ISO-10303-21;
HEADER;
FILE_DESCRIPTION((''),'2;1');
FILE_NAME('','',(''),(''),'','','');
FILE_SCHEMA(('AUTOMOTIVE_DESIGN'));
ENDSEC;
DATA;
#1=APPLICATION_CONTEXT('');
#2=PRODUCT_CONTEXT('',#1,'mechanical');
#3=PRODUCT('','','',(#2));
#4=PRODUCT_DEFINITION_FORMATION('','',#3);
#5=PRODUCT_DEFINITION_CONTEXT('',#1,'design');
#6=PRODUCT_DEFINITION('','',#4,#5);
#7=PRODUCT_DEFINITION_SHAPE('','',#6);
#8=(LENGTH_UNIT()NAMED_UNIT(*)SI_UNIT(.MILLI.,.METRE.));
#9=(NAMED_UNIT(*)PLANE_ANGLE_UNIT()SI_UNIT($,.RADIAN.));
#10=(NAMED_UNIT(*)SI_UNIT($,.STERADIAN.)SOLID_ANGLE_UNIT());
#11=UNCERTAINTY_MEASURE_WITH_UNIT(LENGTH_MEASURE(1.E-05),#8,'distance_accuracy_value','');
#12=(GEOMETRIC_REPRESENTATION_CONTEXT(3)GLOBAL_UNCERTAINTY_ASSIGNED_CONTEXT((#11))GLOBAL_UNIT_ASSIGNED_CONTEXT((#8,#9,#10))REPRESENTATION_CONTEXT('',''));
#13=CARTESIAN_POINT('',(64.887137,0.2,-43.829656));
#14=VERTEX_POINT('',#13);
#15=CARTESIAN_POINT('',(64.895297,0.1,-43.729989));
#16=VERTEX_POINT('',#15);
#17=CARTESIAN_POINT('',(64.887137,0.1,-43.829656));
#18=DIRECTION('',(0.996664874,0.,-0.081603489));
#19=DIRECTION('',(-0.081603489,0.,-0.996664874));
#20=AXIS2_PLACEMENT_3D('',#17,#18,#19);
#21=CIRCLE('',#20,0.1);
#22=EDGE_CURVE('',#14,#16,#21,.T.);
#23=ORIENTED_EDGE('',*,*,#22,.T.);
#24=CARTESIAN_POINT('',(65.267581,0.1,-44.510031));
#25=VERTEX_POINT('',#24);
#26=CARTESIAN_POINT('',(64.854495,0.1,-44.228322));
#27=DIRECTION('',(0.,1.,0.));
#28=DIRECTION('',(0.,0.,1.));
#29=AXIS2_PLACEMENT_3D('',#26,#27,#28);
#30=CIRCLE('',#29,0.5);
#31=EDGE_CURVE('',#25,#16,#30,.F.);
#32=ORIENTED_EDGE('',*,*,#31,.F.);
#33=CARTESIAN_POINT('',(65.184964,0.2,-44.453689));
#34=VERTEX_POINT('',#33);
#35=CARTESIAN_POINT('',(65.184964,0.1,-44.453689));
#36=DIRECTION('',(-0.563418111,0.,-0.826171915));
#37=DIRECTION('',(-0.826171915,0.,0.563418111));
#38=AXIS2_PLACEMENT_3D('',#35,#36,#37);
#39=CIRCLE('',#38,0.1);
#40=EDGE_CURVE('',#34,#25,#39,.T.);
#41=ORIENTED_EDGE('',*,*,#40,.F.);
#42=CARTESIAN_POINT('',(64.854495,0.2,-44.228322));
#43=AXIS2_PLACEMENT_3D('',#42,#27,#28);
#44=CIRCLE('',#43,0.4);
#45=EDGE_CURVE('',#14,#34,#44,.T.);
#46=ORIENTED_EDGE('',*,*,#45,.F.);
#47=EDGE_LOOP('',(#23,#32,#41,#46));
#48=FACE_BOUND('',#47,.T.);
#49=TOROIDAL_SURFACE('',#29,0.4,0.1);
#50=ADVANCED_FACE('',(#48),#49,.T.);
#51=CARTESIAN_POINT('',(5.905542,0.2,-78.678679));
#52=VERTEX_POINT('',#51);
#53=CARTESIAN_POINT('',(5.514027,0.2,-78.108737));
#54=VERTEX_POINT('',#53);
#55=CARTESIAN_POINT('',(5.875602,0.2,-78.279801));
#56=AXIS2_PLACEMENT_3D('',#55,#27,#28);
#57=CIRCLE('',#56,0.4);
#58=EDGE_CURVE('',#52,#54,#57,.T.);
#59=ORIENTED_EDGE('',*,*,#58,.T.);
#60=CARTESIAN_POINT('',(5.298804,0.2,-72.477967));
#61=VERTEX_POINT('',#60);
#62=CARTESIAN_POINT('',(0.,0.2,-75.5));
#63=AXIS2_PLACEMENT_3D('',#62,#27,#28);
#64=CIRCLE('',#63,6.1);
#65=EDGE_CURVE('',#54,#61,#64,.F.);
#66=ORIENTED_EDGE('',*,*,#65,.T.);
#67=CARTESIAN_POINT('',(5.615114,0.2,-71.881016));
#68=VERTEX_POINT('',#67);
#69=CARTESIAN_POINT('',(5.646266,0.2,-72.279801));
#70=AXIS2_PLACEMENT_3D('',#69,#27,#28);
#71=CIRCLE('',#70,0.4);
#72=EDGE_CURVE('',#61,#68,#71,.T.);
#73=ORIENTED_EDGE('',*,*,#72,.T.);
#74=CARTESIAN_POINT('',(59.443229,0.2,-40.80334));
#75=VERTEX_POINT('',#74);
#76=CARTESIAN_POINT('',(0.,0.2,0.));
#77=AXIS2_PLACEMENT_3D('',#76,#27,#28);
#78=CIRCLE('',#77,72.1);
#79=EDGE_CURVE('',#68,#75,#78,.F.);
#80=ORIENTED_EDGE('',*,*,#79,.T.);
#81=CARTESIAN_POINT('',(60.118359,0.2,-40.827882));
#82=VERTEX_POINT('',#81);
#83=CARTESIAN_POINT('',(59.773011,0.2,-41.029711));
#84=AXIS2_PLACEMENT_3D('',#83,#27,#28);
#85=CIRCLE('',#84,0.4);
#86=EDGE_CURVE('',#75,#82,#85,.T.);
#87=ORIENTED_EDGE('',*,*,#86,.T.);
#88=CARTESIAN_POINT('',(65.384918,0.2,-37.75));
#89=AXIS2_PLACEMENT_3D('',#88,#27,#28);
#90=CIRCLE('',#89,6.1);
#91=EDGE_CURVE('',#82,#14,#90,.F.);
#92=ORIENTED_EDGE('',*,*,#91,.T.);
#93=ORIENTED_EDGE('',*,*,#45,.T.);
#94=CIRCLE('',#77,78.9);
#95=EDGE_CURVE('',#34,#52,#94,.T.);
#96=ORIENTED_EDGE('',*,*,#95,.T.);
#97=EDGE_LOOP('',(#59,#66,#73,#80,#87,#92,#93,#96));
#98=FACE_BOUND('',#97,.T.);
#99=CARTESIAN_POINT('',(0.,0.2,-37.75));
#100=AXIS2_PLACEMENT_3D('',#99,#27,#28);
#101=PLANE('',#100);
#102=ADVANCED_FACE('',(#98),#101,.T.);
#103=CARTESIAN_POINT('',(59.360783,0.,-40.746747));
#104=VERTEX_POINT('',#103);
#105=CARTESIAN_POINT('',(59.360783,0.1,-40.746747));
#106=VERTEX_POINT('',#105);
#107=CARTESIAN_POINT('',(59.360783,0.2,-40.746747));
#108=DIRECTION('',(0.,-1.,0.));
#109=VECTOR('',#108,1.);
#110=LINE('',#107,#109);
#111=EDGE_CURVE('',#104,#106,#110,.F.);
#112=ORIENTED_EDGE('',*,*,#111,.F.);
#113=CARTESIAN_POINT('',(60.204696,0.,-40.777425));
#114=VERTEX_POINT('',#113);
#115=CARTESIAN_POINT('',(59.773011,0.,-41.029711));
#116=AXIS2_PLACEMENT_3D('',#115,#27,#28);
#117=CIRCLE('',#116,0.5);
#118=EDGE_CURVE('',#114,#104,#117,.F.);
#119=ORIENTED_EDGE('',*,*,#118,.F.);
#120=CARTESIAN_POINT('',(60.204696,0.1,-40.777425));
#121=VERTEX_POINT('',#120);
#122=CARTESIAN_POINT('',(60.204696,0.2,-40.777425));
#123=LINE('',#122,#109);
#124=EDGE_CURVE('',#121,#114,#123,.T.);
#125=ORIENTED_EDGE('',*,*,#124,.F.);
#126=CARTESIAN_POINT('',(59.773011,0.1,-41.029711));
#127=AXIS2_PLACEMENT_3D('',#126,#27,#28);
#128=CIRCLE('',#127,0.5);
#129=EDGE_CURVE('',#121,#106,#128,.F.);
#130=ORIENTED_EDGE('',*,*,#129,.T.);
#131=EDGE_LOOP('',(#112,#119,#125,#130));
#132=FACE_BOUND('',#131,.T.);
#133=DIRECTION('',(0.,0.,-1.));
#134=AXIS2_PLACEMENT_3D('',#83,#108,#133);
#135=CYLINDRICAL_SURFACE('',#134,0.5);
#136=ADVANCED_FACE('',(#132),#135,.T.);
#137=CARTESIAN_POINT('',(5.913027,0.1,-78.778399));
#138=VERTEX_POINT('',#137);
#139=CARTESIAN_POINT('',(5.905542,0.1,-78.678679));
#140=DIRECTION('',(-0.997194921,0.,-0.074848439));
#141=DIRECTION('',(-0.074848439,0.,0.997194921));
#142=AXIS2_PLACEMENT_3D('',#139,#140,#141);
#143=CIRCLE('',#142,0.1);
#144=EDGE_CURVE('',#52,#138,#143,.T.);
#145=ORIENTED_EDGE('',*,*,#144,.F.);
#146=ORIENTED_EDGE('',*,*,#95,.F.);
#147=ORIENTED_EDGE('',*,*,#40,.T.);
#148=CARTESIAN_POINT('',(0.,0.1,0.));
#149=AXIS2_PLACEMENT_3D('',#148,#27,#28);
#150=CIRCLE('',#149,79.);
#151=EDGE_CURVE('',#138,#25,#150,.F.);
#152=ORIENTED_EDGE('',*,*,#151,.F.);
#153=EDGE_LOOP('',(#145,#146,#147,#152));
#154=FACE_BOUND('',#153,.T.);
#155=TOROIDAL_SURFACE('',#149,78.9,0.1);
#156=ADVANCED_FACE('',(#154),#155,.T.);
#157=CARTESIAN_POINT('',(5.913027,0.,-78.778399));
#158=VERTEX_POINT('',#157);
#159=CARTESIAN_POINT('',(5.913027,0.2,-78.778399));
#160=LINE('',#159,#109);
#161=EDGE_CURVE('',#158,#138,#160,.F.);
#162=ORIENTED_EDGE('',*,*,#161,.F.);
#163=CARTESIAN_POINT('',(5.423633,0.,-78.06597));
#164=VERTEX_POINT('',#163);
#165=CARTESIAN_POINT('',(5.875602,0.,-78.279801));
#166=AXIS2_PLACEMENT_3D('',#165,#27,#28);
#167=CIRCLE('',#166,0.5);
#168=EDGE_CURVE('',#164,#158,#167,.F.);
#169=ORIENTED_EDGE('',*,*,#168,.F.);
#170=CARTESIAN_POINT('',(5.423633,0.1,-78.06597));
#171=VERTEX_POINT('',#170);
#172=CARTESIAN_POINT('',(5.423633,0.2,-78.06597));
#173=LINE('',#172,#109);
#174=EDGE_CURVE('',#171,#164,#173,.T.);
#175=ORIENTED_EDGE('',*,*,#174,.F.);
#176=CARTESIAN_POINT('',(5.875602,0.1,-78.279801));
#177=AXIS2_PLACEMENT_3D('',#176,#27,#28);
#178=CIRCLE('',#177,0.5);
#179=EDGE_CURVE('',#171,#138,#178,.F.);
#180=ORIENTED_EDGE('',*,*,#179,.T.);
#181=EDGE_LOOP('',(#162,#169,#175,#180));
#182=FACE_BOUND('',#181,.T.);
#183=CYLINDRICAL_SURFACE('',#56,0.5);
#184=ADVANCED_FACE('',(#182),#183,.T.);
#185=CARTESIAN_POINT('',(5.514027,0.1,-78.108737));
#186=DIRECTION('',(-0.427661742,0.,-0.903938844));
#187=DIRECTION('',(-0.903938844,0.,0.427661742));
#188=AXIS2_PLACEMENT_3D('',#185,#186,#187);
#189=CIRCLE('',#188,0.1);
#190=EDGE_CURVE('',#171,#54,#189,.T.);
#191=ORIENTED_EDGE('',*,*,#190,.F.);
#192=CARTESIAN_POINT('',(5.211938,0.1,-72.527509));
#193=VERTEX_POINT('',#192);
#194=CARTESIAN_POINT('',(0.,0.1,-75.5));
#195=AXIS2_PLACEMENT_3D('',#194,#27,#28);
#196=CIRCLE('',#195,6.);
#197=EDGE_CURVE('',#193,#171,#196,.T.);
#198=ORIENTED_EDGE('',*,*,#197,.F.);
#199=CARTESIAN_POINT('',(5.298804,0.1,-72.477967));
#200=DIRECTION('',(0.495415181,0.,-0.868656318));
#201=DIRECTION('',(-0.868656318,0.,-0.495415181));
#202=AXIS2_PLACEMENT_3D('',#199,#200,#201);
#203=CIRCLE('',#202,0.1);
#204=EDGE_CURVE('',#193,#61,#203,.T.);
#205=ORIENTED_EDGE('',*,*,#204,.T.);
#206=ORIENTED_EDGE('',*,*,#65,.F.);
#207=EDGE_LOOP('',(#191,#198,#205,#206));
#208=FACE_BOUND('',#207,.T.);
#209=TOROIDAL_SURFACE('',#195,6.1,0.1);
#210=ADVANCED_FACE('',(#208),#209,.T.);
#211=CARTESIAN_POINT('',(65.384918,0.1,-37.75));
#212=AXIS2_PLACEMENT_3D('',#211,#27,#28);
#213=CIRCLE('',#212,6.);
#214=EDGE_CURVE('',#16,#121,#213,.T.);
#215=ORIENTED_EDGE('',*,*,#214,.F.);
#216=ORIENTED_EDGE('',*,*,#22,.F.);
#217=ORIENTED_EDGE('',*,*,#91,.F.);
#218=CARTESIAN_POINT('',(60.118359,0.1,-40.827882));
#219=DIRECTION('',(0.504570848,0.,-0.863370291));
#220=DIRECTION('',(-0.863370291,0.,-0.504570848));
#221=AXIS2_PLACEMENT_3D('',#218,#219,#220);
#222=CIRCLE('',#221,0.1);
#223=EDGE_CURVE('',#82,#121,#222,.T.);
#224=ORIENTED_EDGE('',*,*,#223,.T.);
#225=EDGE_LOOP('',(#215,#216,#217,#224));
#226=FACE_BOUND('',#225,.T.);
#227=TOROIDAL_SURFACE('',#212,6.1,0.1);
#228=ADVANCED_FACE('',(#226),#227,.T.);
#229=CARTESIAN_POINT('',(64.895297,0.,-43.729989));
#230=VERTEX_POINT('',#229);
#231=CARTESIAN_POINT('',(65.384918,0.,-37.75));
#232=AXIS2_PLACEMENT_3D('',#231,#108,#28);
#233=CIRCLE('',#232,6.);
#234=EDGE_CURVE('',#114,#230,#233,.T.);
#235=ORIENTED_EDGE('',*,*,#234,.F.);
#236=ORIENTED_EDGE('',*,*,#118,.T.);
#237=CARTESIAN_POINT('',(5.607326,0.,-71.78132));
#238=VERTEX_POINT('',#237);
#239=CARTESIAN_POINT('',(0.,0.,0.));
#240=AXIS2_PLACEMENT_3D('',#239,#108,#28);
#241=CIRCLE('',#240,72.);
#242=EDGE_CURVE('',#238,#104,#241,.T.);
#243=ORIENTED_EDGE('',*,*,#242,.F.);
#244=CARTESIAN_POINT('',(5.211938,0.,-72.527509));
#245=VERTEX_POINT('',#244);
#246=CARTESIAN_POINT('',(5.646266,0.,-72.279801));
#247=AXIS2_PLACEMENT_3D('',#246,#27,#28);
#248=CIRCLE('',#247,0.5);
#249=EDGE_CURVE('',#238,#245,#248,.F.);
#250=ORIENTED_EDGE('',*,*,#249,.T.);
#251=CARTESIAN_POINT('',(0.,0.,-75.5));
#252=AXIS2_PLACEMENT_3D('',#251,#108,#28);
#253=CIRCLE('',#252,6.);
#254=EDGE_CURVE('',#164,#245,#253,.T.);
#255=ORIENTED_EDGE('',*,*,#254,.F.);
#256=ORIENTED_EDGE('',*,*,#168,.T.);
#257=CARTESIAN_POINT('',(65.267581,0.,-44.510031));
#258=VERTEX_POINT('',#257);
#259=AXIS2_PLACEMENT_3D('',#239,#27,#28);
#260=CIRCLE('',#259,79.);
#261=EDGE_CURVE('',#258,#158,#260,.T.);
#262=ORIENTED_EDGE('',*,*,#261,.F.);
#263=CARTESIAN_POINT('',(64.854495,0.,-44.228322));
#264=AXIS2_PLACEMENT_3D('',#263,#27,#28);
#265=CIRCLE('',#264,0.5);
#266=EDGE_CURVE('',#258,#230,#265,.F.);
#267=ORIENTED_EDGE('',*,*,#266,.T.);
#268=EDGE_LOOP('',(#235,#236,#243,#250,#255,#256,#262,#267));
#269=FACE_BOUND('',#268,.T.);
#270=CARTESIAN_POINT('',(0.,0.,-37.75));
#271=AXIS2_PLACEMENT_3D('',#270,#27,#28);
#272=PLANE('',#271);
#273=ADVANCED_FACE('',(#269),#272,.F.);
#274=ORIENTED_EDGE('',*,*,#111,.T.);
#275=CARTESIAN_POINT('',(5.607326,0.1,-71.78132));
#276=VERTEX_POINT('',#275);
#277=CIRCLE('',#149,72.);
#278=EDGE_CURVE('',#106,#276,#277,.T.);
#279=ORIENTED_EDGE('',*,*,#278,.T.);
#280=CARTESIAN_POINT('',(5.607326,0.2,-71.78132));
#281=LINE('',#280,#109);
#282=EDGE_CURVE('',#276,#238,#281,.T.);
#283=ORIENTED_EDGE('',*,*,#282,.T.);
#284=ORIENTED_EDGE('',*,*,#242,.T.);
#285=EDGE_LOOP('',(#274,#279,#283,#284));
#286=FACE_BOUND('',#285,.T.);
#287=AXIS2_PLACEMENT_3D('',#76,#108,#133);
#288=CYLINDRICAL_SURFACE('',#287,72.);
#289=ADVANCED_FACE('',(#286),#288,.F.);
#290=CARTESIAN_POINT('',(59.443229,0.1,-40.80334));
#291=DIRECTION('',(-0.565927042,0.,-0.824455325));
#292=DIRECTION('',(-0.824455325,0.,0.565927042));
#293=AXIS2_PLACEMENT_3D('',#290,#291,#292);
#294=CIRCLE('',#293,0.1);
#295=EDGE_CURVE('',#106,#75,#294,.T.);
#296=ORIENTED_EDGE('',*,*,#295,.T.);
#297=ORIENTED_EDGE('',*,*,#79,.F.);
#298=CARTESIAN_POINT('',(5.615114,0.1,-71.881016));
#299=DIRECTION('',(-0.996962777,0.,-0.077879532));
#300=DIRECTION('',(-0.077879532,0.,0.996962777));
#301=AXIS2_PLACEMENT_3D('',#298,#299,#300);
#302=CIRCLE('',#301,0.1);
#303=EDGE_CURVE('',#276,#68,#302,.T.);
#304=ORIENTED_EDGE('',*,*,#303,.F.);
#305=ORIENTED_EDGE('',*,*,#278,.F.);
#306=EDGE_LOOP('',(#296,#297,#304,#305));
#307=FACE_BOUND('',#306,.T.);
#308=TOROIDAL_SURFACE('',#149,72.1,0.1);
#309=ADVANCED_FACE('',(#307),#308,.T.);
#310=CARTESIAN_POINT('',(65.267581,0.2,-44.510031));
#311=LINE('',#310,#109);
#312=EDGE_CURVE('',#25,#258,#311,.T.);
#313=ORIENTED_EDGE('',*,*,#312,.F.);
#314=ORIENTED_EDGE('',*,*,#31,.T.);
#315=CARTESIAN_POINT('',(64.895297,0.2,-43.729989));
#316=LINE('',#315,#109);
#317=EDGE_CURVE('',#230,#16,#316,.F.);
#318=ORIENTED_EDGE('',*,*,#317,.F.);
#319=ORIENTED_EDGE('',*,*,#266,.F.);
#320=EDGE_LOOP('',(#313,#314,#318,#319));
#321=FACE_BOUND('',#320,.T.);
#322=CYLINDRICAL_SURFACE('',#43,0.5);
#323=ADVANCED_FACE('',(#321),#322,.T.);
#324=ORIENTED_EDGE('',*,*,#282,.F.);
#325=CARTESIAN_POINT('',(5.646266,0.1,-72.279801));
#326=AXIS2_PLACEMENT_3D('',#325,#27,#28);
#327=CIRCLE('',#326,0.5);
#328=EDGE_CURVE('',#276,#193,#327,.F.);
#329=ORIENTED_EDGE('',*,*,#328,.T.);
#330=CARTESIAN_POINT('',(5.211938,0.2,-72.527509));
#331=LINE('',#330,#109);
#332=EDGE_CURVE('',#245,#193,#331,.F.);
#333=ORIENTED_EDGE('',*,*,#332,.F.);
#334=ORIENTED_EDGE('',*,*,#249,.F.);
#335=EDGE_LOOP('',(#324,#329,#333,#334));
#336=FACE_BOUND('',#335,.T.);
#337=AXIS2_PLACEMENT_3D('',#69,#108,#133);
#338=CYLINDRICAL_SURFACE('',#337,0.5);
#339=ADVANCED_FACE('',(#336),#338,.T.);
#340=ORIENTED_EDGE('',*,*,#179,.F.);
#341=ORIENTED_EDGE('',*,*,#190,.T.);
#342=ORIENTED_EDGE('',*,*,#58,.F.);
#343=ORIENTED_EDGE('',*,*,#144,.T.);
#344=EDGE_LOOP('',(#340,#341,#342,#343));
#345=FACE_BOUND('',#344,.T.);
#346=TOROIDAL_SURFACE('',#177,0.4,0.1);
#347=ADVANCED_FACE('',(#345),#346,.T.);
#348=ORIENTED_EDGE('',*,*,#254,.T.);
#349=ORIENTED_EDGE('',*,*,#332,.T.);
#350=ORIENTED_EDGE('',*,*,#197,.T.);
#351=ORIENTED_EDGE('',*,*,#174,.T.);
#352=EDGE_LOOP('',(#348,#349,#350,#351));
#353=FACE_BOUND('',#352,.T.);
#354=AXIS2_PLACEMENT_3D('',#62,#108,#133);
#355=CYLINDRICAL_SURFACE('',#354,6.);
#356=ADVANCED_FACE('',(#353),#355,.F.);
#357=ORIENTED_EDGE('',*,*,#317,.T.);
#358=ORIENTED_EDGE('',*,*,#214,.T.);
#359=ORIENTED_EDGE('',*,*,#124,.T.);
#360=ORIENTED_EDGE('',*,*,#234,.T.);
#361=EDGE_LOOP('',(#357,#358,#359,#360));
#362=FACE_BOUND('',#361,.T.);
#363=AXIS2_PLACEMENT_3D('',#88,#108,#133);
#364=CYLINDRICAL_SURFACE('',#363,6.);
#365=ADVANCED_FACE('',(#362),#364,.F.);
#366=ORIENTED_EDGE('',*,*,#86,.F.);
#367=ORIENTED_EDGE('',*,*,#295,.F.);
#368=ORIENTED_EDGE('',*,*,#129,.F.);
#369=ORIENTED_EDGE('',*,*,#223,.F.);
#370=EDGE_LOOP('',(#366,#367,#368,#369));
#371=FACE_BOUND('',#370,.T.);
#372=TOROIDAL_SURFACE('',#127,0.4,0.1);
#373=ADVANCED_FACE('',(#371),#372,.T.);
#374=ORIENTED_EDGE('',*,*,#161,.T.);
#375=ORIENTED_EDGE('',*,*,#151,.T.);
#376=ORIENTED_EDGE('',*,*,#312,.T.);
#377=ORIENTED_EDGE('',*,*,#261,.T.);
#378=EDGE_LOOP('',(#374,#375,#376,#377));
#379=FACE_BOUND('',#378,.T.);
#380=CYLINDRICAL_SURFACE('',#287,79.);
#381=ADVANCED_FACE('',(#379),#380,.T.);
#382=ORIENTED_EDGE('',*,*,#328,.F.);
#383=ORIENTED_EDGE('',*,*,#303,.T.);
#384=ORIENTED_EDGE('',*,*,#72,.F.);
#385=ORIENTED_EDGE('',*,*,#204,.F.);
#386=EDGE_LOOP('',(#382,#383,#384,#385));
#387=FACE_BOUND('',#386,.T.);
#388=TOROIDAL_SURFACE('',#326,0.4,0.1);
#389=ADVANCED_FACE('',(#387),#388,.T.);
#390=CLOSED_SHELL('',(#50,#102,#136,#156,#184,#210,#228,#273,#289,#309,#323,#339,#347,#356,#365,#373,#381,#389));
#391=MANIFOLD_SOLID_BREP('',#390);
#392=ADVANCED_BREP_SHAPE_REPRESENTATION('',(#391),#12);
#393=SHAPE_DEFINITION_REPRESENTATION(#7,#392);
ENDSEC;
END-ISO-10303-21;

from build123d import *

# Parameters (mm, degrees)
BOSS_EXTRUDE1_DEPTH = 0.2
FILLET1_R           = 0.5
FILLET2_R           = 0.1


with BuildPart() as part:
    # Sketch1 → Boss-Extrude1 (new body)
    with BuildSketch(Plane(origin=(0, 0, 0), x_dir=(1, 0, 0), z_dir=(0, 1, 0))):
        with BuildLine():
            ThreePointArc((65.788496696, 43.736411632), (62.218735106, 42.846595528), (59.839367736, 40.040605253))
            ThreePointArc((59.839367736, 40.040605253), (36, 62.353829072), (4.756497464, 71.842715232))
            ThreePointArc((4.756497464, 71.842715232), (5.99687264, 75.306302957), (4.982595195, 78.842715232))
            ThreePointArc((4.982595195, 78.842715232), (39.5, 68.416006899), (65.788496696, 43.736411632))
        make_face()
    extrude(amount=BOSS_EXTRUDE1_DEPTH)

    # Fillet1
    fillet1_edges = [part.edges().sort_by_distance(p)[0] for p in [
        (65.788496696, 0.1, -43.736411632),
        (59.839367736, 0.1, -40.040605253),
        (4.756497464, 0.1, -71.842715232),
        (4.982595195, 0.1, -78.842715232),
    ]]
    fillet(fillet1_edges, radius=FILLET1_R)

    # Fillet2
    fillet2_edges = [part.edges().sort_by_distance(p)[0] for p in [
        (36, 0.2, -62.353829072),
        (5.995621864, 0.2, -75.270830923),
        (39.5, 0.2, -68.416006899),
        (62.188640811, 0.2, -42.827776307),
        (65.305737696, 0.2, -44.012960805),
        (59.791175202, 0.2, -40.530040556),
        (5.463473305, 0.2, -78.56290826),
        (5.204457137, 0.2, -72.045696925),
    ]]
    fillet(fillet2_edges, radius=FILLET2_R)


solid = part.part
